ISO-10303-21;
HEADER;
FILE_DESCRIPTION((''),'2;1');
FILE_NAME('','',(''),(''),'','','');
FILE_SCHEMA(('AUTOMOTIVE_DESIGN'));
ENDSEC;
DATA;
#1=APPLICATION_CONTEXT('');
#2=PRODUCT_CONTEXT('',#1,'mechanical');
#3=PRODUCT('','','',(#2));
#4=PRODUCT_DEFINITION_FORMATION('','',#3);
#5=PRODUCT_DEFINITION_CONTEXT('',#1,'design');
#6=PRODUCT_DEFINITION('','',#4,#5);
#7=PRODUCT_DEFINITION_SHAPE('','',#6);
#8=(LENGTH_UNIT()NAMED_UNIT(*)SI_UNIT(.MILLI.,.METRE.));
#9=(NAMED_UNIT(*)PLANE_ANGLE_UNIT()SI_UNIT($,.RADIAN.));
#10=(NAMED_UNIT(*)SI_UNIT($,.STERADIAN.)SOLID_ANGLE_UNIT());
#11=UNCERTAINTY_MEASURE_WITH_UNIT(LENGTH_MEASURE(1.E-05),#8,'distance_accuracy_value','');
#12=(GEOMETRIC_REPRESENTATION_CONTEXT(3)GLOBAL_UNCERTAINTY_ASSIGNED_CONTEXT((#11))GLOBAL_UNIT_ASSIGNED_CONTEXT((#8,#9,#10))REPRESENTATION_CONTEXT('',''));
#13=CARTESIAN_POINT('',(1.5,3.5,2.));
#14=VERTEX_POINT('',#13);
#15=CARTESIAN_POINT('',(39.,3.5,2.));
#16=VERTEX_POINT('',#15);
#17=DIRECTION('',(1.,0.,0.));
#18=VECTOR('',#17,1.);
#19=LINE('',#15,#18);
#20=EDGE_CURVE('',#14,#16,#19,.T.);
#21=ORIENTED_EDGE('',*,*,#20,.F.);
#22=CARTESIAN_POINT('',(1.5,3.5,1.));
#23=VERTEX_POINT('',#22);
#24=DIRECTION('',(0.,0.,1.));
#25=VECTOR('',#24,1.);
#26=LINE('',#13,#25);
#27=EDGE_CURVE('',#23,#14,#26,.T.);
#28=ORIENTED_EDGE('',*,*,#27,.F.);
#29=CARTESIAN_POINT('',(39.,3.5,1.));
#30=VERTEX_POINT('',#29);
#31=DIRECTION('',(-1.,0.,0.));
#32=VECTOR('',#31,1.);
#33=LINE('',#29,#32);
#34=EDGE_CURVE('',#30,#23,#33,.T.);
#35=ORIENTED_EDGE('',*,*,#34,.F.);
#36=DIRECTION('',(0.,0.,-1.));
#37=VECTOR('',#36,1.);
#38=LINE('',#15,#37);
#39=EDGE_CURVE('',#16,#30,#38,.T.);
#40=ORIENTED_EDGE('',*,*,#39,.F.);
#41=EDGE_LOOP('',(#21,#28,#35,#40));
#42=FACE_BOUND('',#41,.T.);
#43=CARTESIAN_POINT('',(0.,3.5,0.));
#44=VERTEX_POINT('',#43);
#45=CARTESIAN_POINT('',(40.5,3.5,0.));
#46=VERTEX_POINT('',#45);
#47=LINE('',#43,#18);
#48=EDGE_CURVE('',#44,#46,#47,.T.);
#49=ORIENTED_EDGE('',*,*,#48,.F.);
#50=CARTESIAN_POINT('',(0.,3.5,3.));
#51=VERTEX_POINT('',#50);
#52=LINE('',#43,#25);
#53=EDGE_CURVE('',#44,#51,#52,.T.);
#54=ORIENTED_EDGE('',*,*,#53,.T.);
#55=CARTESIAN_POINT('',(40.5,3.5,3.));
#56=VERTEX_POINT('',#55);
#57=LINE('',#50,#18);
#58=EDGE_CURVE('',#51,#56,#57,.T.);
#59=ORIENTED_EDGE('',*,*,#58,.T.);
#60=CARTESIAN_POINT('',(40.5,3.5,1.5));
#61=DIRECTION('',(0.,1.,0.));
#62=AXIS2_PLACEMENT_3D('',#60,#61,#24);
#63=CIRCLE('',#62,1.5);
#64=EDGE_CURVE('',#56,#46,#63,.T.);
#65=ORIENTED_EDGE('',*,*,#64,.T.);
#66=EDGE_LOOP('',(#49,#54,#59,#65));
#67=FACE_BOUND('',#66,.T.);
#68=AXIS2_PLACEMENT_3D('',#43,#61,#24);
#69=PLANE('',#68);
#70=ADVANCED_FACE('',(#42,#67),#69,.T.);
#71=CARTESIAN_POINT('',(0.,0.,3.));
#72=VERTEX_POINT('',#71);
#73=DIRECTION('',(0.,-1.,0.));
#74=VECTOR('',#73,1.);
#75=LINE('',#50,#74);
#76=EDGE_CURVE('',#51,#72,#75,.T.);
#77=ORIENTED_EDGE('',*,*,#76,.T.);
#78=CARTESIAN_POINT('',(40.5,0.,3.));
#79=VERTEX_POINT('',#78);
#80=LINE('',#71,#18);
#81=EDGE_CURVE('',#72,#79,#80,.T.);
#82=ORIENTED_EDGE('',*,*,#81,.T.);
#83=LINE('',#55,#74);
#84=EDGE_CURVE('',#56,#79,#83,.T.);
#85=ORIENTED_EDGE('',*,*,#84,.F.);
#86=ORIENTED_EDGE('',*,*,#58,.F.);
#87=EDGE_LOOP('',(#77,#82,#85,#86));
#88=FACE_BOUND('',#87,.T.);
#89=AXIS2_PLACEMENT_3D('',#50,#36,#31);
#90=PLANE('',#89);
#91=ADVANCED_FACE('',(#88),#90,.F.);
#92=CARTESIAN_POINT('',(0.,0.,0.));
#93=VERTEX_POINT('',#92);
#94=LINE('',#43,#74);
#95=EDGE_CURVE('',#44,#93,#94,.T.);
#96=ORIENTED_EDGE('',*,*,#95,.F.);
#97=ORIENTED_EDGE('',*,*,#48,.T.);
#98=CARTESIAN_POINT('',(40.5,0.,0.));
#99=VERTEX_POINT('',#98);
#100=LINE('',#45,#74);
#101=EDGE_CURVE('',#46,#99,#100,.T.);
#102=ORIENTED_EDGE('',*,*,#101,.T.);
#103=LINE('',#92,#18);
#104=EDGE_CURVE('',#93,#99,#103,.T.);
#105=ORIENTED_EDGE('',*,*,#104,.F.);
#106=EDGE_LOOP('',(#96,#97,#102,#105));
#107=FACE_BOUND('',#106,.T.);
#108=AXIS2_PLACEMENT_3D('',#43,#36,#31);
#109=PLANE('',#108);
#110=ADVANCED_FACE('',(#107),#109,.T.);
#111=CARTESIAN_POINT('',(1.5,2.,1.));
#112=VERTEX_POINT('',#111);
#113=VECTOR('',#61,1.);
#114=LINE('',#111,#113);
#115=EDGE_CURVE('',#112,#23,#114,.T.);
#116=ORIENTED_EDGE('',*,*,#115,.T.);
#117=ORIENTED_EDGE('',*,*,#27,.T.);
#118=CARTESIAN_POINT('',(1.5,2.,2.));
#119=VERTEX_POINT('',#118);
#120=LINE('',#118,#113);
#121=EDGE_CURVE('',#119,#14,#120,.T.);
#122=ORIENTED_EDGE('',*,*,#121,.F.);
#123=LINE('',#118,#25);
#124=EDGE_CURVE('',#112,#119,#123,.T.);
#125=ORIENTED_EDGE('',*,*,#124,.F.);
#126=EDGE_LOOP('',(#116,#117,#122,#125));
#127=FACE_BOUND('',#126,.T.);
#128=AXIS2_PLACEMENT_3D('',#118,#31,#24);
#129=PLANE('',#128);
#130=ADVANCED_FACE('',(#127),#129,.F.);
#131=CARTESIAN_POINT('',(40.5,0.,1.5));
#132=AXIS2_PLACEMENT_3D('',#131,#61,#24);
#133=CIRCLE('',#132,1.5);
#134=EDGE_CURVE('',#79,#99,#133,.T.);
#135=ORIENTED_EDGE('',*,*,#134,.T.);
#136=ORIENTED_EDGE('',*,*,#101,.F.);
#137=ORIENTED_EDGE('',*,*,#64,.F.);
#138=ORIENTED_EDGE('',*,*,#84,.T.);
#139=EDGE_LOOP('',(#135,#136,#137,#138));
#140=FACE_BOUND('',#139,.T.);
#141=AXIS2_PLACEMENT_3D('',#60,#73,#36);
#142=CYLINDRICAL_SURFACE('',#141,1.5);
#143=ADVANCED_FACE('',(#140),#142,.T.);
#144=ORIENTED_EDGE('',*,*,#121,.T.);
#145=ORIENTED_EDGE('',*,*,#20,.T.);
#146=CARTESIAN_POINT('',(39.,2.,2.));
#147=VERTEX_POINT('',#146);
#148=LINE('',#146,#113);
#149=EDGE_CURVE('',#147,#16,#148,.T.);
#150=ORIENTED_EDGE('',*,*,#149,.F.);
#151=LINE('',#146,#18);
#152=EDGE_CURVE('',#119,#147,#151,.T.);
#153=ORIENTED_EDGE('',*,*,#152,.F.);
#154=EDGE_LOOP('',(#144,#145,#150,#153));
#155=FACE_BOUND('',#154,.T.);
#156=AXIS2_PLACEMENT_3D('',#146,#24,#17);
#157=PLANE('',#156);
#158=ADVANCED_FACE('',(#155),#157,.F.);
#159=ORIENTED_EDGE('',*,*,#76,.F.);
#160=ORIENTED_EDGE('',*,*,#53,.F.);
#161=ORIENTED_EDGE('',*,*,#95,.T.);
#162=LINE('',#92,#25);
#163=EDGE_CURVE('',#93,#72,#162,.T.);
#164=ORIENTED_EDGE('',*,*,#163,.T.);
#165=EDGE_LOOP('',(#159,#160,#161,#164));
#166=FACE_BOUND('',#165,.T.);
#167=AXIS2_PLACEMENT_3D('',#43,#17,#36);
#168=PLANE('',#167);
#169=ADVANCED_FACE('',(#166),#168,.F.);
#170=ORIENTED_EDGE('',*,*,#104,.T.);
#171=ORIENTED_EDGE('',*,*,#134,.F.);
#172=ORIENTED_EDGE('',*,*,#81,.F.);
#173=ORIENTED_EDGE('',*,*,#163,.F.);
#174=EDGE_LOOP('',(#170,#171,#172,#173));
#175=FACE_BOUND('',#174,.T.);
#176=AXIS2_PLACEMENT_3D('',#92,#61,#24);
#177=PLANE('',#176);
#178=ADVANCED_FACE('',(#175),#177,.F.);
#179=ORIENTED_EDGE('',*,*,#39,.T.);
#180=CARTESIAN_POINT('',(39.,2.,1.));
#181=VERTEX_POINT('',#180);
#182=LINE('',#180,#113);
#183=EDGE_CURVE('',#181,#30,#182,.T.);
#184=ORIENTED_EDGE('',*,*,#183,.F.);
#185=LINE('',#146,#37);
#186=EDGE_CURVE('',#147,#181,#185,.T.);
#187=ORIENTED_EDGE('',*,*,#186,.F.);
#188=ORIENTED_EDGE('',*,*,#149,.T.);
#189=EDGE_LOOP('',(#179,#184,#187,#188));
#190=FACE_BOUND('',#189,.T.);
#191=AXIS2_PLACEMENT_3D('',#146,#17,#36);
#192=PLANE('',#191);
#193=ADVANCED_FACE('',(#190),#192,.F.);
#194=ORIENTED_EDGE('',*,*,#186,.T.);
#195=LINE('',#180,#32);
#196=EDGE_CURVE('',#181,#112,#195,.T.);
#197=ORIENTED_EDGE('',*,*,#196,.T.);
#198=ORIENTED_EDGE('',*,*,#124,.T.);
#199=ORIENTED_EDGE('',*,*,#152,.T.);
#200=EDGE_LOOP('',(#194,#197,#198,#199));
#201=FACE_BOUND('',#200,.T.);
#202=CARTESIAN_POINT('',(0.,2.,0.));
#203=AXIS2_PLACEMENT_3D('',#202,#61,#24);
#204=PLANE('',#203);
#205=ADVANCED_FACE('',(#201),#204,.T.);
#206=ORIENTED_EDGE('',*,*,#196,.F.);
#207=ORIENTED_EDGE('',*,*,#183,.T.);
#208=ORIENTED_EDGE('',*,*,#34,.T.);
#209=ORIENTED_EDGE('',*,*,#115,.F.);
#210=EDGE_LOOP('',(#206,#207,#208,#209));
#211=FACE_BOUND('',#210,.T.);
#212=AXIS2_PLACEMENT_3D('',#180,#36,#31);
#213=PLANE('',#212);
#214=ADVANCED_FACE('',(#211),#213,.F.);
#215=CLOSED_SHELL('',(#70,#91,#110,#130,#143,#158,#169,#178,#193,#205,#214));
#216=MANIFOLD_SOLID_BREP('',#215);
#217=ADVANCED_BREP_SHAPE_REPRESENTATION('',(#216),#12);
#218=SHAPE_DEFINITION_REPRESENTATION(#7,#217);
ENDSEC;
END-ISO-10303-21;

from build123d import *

# Parameters (mm, degrees)
SKETCH_1_R          = 1.5
EXTRUDE_1_DEPTH     = 3.5
SKETCH_2_W          = 37.5
SKETCH_2_H          = 1
CUT_EXTRUDE_1_DEPTH = 1.5


with BuildPart() as part:
    # 草图1 → 凸台-拉伸1 (new body)
    with BuildSketch(Plane(origin=(0, 0, 0), x_dir=(1, 0, 0), z_dir=(0, 1, 0))):
        with BuildLine():
            Line((40.5, 0), (0, 0))
            Line((0, 0), (0, -3))
            Line((0, -3), (40.5, -3))
            ThreePointArc((40.5, -3), (39, -1.5), (40.5, 0))
        make_face()
        with Locations((40.5, -1.5)):
            Circle(SKETCH_1_R)
    extrude(amount=EXTRUDE_1_DEPTH)

    # 草图2 → 切除-拉伸1 (cut)
    with BuildSketch(Plane(origin=(0, 3.5, 0), x_dir=(1, 0, 0), z_dir=(0, 1, 0))):
        with Locations((20.25, -1.5)):
            Rectangle(SKETCH_2_W, SKETCH_2_H)
    extrude(amount=-CUT_EXTRUDE_1_DEPTH, mode=Mode.SUBTRACT)


solid = part.part
